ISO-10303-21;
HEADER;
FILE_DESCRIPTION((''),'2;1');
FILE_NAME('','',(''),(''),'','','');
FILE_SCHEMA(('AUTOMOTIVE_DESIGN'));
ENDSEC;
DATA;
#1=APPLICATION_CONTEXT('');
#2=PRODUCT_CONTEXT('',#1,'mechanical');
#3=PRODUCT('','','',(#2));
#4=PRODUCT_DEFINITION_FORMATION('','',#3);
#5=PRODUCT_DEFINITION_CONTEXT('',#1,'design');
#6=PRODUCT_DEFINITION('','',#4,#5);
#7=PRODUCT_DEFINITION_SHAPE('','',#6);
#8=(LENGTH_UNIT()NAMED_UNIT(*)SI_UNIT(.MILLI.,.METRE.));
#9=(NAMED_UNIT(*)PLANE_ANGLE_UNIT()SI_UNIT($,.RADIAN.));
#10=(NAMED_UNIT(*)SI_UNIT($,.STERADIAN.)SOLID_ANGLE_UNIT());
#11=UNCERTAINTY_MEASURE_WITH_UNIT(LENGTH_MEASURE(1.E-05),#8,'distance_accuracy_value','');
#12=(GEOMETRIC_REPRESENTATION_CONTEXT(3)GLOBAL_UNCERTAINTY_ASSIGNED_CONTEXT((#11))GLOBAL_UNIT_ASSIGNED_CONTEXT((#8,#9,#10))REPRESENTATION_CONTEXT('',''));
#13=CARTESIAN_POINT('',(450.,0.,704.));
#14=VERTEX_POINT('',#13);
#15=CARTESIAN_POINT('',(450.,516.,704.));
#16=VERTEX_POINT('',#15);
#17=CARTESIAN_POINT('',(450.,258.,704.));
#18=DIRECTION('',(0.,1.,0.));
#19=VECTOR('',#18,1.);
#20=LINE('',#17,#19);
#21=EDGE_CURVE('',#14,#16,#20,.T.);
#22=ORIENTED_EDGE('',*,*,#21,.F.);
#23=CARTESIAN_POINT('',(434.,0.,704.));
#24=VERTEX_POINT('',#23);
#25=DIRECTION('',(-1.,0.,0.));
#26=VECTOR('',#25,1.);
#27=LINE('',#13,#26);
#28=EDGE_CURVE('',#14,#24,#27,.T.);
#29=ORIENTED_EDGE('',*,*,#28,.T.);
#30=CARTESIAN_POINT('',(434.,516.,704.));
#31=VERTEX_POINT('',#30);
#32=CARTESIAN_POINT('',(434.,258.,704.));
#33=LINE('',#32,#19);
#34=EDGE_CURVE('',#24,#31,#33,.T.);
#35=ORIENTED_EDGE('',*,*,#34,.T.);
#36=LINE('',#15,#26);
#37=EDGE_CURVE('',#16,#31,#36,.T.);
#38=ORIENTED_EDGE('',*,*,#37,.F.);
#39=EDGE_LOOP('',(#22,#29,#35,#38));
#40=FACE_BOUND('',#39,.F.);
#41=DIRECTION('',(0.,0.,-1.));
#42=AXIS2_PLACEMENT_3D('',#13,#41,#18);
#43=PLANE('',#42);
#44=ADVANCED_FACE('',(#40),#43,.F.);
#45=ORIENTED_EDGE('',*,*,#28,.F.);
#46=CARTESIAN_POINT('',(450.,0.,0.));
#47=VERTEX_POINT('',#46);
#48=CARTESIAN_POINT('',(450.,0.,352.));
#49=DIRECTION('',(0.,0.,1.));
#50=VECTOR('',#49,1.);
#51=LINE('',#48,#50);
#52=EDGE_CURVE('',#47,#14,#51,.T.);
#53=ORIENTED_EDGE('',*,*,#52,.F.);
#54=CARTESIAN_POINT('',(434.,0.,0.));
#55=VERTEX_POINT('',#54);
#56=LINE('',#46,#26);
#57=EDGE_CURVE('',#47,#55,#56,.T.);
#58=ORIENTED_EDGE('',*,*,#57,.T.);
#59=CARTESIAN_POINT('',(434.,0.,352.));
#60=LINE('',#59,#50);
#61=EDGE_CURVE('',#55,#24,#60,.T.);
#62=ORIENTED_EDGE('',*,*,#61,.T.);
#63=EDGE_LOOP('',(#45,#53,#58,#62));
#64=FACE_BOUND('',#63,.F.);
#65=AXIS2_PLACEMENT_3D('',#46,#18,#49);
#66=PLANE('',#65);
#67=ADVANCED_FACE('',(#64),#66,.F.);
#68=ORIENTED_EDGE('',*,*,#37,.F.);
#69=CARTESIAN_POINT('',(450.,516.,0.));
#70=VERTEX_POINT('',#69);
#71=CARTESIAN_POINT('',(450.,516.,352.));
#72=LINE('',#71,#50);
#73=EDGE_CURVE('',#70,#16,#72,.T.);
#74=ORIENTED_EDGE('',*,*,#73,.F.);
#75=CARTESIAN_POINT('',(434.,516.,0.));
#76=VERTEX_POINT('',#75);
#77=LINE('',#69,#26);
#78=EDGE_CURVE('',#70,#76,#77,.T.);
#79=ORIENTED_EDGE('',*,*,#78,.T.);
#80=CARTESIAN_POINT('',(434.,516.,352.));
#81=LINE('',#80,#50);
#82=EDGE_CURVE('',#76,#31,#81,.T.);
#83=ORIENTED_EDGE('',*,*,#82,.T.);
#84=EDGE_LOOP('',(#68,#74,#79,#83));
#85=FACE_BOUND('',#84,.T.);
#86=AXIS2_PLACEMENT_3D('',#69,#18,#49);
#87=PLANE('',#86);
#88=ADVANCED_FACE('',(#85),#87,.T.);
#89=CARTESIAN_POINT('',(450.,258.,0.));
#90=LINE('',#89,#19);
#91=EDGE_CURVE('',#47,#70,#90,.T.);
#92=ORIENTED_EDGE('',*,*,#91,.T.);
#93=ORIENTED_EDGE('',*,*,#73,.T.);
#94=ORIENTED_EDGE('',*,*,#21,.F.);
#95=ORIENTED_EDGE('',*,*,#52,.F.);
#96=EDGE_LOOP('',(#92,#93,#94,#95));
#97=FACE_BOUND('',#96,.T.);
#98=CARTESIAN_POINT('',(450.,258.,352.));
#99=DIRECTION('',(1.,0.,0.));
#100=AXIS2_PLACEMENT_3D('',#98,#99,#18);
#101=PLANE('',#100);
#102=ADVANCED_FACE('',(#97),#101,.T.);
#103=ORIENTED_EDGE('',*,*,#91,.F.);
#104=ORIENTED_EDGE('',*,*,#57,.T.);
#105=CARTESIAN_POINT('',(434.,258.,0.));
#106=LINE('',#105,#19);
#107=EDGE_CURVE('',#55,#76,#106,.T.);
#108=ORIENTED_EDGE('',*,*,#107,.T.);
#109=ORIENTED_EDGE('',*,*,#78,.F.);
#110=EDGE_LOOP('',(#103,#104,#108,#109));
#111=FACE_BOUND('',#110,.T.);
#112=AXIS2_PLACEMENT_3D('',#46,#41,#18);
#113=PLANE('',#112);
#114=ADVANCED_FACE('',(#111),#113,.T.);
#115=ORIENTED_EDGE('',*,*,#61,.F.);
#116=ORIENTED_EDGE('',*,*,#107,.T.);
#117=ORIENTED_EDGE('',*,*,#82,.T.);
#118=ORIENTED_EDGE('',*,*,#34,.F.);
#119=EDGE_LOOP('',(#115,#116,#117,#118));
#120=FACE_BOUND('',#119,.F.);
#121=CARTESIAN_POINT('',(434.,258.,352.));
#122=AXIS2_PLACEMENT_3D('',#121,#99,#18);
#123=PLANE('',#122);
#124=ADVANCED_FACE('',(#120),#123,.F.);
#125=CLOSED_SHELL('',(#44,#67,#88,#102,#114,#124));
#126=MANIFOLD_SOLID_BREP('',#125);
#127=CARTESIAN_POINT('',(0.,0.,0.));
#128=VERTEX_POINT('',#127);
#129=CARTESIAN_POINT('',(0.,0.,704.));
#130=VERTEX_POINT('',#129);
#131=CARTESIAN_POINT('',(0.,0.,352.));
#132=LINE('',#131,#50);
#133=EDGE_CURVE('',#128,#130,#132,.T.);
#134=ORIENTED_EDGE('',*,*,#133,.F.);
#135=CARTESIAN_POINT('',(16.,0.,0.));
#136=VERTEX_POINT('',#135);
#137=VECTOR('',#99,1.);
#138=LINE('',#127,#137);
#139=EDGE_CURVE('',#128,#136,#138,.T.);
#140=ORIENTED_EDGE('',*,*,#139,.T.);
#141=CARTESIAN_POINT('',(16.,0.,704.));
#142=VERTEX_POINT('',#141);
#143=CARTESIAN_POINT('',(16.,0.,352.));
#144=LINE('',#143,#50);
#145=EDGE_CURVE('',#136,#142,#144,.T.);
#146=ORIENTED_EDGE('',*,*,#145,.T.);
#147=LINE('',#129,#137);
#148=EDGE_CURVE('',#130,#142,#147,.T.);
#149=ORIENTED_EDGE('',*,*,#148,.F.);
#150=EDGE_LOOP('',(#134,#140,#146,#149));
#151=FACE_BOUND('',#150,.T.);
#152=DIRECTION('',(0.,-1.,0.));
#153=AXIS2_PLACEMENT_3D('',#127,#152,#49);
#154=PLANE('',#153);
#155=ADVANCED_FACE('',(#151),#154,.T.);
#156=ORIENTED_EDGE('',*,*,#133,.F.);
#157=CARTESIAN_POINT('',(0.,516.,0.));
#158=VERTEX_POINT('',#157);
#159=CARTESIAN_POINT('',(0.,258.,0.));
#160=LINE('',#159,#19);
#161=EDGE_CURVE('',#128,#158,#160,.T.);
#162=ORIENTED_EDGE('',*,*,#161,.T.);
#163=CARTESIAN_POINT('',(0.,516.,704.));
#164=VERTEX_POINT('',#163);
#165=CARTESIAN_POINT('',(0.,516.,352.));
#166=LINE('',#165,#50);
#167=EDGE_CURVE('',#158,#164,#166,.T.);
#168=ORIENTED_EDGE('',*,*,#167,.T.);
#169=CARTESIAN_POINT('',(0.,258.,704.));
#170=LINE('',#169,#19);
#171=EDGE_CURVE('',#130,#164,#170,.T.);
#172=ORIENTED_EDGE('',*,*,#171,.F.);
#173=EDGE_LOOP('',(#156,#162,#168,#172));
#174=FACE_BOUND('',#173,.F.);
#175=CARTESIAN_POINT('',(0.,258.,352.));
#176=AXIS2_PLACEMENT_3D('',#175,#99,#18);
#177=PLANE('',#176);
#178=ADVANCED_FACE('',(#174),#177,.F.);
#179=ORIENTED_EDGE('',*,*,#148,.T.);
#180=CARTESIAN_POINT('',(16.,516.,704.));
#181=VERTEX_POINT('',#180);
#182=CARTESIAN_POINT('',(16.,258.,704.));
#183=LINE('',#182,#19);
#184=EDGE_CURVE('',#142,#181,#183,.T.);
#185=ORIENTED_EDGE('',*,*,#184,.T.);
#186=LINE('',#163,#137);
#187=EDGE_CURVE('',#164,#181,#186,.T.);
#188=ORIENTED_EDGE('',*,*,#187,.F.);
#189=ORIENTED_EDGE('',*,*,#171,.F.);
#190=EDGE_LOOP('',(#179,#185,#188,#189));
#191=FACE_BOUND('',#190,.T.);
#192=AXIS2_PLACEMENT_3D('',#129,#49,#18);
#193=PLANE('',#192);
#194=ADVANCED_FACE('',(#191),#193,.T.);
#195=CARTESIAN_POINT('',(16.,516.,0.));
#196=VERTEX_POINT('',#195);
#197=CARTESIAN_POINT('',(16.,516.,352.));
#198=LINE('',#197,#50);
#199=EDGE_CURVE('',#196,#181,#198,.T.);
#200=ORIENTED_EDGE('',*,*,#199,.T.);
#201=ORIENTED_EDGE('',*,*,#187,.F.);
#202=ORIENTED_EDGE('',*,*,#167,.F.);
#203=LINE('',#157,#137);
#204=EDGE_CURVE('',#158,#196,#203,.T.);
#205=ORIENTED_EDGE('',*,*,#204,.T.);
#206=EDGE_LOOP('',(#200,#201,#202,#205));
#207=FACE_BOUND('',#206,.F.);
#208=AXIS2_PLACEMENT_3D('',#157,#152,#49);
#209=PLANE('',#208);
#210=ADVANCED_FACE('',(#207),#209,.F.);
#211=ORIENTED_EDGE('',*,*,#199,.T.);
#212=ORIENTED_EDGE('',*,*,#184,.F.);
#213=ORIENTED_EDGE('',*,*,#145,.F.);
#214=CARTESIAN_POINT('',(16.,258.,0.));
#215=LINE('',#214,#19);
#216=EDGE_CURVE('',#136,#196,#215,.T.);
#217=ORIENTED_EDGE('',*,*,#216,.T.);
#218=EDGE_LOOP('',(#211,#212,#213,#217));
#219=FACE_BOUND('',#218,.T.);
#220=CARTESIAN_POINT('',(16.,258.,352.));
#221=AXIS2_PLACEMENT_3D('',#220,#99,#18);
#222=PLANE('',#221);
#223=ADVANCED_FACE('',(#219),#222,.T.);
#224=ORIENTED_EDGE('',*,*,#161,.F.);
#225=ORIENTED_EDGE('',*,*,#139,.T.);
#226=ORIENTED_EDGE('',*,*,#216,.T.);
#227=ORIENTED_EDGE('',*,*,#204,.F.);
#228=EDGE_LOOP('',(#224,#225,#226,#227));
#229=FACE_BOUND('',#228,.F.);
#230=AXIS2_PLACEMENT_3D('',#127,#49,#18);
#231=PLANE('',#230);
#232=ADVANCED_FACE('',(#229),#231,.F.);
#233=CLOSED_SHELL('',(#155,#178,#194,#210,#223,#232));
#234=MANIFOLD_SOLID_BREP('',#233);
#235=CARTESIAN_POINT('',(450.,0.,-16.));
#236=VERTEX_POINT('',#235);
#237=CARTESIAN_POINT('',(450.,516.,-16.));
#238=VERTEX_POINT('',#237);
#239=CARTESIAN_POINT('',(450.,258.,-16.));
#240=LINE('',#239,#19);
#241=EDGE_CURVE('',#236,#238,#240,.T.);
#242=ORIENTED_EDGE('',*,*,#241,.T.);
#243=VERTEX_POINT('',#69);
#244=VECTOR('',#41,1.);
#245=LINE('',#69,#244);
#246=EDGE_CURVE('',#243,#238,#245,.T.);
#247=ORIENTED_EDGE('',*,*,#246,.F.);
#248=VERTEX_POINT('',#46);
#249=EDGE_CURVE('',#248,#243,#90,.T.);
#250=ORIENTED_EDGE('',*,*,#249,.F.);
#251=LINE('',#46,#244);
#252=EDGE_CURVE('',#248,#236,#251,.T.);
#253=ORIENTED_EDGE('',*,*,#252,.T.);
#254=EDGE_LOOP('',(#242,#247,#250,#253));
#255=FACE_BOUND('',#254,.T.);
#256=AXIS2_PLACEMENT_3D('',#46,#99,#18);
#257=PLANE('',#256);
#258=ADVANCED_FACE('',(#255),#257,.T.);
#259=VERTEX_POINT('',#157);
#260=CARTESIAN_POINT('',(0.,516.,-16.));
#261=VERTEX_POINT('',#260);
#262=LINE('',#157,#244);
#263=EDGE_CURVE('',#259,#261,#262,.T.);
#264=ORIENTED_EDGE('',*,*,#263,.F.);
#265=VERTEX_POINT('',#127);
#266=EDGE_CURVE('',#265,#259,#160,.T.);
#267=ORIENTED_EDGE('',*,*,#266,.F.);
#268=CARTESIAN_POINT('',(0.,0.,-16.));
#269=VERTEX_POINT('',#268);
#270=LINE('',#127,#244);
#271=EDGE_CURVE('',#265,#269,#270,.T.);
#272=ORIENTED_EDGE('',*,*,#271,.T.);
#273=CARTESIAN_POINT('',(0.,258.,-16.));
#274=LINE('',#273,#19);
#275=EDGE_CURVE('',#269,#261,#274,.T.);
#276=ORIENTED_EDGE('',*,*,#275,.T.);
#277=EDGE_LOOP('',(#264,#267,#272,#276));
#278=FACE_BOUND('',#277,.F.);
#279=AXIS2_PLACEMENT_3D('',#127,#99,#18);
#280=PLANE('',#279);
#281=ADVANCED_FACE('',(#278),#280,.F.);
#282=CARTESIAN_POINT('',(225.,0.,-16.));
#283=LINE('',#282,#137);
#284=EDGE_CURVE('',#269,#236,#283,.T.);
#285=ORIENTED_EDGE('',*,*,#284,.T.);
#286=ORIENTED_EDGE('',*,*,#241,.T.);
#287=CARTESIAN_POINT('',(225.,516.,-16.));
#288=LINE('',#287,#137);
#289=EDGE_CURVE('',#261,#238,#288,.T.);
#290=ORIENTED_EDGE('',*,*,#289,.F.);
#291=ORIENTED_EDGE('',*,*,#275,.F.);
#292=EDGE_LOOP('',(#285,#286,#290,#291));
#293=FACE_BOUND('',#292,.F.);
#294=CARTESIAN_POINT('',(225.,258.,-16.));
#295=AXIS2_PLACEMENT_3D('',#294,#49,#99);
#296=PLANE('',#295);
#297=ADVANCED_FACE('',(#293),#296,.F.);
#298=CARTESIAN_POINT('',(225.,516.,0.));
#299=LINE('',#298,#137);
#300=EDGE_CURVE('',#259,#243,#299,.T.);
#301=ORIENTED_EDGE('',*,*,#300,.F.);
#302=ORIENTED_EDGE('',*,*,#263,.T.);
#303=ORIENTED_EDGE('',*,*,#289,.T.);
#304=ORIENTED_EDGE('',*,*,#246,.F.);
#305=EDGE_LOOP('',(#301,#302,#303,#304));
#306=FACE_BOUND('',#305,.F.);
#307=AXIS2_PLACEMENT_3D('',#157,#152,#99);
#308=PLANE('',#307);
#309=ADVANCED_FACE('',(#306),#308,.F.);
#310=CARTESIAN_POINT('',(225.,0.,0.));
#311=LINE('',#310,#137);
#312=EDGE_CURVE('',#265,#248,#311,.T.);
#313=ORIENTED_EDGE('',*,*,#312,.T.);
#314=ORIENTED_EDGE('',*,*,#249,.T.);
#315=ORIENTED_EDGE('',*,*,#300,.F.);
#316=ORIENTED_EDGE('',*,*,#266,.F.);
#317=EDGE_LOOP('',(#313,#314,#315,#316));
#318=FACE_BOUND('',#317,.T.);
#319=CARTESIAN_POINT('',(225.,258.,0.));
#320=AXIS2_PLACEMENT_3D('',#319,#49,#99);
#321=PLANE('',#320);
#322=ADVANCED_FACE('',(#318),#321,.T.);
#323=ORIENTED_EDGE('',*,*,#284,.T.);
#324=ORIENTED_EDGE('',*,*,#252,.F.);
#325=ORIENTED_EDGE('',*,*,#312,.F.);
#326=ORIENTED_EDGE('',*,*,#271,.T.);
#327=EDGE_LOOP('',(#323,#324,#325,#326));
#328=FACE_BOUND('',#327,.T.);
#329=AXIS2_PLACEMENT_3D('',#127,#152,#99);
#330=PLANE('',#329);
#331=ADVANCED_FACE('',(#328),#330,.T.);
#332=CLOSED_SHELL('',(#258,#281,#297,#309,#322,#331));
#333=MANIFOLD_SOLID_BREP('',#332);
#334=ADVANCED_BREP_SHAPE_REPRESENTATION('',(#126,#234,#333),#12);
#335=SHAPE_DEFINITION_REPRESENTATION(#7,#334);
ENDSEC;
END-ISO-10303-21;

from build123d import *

# Parameters (mm, degrees)
F0_W     = 516
F0_H     = 704
F1_DEPTH = 16
F2_W     = 450
F2_H     = 516
F3_DEPTH = 16
F4_W     = 516
F4_H     = 704
F5_DEPTH = 16


with BuildPart() as f1:
    # F0 (on Right) → F1 (new body)
    with BuildSketch(Plane.YZ):
        with Locations((258, 352)):
            Rectangle(F0_W, F0_H)
    extrude(amount=F1_DEPTH)


with BuildPart() as f3:
    # F2 (on Top) → F3 (new body)
    with BuildSketch(Plane.XY):
        with Locations((225, 258)):
            Rectangle(F2_W, F2_H)
    extrude(amount=-F3_DEPTH)


with BuildPart() as f5:
    # F4 (on face) → F5 (new body)
    with BuildSketch(Plane.YZ.offset(450)):
        with Locations((258, 352)):
            Rectangle(F4_W, F4_H)
    extrude(amount=-F5_DEPTH)


solid = Compound([f1.part, f3.part, f5.part])
